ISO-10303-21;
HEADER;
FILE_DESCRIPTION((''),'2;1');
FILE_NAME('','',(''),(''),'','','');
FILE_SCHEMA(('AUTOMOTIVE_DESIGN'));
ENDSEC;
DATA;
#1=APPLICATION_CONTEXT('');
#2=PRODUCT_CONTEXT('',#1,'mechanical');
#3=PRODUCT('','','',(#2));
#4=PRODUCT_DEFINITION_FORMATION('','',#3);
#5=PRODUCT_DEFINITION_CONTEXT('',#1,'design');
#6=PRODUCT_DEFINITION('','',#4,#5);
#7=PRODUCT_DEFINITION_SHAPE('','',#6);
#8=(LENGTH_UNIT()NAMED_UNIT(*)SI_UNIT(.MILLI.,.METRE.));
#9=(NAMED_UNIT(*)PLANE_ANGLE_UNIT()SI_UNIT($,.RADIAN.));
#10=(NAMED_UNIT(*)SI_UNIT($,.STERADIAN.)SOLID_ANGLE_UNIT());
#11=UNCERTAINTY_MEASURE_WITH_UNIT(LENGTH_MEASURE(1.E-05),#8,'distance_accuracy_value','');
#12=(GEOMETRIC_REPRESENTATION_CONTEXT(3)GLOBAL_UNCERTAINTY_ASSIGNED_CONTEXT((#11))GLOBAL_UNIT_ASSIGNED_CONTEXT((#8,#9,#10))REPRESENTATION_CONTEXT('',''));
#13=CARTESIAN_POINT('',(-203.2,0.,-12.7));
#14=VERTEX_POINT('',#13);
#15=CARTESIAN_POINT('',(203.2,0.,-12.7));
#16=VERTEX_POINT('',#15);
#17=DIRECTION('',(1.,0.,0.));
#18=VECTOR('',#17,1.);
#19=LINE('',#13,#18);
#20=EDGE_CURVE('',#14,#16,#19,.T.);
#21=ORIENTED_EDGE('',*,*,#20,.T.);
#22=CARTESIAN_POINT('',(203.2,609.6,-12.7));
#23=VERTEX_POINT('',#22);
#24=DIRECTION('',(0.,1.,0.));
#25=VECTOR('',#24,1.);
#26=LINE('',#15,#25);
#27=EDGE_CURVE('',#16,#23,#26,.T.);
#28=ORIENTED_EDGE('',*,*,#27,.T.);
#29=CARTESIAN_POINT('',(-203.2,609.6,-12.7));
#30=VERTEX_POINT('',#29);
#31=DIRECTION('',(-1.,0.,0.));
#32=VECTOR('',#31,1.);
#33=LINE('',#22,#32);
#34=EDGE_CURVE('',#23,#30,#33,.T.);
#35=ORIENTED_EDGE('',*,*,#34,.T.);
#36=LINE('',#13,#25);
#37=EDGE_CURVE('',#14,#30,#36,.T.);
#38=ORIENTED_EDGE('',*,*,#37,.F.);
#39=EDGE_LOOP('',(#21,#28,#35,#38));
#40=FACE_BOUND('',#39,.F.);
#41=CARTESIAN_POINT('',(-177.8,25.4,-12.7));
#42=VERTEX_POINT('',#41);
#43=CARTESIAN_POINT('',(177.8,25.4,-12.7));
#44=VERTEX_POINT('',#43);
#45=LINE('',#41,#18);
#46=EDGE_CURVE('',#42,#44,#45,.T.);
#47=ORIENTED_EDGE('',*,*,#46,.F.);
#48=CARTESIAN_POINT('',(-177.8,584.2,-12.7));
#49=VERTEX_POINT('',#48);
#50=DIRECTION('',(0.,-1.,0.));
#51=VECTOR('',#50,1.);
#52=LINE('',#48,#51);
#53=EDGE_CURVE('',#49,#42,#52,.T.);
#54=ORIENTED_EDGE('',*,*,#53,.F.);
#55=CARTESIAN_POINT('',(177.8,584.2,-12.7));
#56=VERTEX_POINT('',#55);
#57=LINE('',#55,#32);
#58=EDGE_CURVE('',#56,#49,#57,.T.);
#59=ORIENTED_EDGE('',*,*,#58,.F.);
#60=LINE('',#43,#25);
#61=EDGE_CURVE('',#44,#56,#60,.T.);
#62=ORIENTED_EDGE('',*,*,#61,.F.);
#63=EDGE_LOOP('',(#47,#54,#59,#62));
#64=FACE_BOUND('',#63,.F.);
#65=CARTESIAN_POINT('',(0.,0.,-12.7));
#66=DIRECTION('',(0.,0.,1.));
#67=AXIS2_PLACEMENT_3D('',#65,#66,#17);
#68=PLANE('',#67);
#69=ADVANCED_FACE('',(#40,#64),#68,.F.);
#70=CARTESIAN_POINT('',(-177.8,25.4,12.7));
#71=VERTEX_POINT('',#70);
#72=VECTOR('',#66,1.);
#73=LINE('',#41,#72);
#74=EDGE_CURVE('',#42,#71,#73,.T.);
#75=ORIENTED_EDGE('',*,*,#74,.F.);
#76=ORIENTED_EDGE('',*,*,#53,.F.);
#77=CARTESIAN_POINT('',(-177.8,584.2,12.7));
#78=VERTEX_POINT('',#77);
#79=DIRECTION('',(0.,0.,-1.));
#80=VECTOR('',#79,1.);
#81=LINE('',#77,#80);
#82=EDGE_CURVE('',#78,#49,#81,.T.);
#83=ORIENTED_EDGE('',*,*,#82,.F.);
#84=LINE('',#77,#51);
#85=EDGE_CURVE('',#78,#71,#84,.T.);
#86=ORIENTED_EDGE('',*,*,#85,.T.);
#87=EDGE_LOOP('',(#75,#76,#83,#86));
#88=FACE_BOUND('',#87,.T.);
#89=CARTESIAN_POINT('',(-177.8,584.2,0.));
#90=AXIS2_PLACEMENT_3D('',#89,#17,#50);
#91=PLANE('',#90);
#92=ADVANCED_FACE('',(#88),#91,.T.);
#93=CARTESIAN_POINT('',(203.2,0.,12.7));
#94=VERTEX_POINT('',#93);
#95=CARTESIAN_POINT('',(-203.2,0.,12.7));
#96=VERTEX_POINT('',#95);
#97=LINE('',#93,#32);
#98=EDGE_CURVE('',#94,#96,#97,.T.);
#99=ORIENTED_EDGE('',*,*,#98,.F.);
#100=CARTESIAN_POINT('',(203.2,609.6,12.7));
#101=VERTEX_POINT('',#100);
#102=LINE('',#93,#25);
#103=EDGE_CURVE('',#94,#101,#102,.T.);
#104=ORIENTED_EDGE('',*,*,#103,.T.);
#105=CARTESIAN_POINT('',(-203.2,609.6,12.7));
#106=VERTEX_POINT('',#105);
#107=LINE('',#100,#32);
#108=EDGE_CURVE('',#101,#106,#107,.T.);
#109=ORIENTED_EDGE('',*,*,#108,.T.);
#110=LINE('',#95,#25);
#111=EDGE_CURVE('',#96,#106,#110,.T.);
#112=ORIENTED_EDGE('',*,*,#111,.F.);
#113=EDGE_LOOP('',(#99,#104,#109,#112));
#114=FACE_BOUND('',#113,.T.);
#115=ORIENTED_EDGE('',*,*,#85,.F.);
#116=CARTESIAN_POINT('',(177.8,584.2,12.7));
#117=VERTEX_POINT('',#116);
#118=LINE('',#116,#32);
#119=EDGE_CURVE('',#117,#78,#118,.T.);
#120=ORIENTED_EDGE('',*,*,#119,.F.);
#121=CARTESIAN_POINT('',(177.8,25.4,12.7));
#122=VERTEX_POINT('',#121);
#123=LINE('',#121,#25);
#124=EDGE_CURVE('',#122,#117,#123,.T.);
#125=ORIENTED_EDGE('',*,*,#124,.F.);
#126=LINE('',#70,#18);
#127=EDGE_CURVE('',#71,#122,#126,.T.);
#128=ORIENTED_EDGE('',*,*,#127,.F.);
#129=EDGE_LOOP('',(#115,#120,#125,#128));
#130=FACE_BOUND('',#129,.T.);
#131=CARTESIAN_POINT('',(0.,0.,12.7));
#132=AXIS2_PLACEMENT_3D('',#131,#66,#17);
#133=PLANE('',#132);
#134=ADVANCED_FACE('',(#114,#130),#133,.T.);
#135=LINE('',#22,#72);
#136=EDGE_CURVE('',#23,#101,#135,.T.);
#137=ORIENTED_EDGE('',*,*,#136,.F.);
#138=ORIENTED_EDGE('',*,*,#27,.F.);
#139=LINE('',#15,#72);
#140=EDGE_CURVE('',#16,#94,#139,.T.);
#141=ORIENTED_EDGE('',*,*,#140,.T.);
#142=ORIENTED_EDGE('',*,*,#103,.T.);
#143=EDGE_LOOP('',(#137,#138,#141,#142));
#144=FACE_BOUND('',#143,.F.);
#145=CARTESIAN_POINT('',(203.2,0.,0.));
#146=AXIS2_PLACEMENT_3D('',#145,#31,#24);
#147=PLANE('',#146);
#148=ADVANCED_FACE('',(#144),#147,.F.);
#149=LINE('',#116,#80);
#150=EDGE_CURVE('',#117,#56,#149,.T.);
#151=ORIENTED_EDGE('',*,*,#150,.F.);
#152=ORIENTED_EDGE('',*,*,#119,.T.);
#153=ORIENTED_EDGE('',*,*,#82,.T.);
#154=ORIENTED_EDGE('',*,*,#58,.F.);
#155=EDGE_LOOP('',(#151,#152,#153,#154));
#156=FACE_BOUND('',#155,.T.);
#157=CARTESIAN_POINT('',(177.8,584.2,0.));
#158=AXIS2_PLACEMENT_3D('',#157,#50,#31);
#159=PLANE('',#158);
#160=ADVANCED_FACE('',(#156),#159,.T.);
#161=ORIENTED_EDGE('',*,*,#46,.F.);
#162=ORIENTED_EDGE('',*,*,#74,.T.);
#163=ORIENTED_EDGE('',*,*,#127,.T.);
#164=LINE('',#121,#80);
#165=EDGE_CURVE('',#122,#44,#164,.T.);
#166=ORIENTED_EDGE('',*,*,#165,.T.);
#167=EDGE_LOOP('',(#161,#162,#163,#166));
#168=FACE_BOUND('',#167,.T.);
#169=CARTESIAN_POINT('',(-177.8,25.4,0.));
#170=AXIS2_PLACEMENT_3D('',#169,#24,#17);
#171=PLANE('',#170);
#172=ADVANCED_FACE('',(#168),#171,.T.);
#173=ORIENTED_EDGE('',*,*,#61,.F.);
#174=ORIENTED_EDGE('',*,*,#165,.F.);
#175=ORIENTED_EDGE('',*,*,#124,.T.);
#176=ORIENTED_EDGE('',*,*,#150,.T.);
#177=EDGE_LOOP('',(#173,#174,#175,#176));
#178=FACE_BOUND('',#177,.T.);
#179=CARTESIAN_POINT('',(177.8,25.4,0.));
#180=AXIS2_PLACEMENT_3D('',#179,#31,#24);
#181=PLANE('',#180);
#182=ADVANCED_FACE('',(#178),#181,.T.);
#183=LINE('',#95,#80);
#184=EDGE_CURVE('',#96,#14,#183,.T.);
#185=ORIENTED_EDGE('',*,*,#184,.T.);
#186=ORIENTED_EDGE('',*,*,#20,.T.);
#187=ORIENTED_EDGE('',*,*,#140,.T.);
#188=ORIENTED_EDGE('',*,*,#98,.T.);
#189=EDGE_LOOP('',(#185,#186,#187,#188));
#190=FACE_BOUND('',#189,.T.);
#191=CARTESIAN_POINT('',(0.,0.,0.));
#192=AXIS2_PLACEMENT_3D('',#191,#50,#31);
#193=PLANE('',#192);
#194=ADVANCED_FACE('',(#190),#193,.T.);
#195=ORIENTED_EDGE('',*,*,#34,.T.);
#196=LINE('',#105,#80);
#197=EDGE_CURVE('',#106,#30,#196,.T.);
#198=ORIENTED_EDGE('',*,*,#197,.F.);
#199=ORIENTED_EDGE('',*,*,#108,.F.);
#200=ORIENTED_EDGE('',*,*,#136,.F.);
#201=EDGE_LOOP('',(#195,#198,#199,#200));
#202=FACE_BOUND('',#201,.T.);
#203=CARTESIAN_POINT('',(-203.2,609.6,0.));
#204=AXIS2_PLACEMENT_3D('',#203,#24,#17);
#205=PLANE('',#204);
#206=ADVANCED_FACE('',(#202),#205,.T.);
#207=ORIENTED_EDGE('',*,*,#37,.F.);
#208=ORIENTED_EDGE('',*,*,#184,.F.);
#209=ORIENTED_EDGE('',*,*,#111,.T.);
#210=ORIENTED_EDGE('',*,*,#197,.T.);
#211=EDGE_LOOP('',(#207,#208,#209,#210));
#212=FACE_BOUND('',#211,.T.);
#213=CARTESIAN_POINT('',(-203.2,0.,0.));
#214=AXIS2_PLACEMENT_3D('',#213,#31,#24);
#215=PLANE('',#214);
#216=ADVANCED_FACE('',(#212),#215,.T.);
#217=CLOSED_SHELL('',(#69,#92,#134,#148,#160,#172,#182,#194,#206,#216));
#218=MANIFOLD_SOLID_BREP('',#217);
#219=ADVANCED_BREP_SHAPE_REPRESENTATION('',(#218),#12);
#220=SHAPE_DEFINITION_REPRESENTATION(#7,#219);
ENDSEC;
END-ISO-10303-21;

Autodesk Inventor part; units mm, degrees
ref_plane "XZ Plane" through (0, 0, 0) normal (0, 1, 0) x (-1, 0, 0)
ref_plane "XY Plane" through (0, 0, 0) normal (0, 0, 1) x (1, 0, 0)
sketch "Sketch1" plane through (0, 0, 0) normal (0, 0, 1) x (1, 0, 0)
  line L0 (0, 0) -> (203.2, 0)
  line L1 (203.2, 0) -> (203.2, 609.6)
  line L2 (203.2, 609.6) -> (0, 609.6)
  line L3 (0, 0) -> (0, 609.6) construction
  line L4 (0, 0) -> (-203.2, 0)
  line L5 (-203.2, 0) -> (-203.2, 609.6)
  line L6 (-203.2, 609.6) -> (0, 609.6)
  line L7 (-177.8, 25.4) -> (177.8, 25.4)
  line L8 (177.8, 25.4) -> (177.8, 584.2)
  line L9 (177.8, 584.2) -> (-177.8, 584.2)
  line L10 (-177.8, 584.2) -> (-177.8, 25.4)
  dimension "d1" = 609.6
  dimension "d2" = 406.4
  dimension "d3" = 25.4
  dimension "d4" = 25.4
  dimension "d5" = 25.4
  dimension "d6" = 25.4
extrude "Extrusion1" add sketch "Sketch1" along normal mid plane 25.4
properties part number "primativeBaseForShortRobot"
